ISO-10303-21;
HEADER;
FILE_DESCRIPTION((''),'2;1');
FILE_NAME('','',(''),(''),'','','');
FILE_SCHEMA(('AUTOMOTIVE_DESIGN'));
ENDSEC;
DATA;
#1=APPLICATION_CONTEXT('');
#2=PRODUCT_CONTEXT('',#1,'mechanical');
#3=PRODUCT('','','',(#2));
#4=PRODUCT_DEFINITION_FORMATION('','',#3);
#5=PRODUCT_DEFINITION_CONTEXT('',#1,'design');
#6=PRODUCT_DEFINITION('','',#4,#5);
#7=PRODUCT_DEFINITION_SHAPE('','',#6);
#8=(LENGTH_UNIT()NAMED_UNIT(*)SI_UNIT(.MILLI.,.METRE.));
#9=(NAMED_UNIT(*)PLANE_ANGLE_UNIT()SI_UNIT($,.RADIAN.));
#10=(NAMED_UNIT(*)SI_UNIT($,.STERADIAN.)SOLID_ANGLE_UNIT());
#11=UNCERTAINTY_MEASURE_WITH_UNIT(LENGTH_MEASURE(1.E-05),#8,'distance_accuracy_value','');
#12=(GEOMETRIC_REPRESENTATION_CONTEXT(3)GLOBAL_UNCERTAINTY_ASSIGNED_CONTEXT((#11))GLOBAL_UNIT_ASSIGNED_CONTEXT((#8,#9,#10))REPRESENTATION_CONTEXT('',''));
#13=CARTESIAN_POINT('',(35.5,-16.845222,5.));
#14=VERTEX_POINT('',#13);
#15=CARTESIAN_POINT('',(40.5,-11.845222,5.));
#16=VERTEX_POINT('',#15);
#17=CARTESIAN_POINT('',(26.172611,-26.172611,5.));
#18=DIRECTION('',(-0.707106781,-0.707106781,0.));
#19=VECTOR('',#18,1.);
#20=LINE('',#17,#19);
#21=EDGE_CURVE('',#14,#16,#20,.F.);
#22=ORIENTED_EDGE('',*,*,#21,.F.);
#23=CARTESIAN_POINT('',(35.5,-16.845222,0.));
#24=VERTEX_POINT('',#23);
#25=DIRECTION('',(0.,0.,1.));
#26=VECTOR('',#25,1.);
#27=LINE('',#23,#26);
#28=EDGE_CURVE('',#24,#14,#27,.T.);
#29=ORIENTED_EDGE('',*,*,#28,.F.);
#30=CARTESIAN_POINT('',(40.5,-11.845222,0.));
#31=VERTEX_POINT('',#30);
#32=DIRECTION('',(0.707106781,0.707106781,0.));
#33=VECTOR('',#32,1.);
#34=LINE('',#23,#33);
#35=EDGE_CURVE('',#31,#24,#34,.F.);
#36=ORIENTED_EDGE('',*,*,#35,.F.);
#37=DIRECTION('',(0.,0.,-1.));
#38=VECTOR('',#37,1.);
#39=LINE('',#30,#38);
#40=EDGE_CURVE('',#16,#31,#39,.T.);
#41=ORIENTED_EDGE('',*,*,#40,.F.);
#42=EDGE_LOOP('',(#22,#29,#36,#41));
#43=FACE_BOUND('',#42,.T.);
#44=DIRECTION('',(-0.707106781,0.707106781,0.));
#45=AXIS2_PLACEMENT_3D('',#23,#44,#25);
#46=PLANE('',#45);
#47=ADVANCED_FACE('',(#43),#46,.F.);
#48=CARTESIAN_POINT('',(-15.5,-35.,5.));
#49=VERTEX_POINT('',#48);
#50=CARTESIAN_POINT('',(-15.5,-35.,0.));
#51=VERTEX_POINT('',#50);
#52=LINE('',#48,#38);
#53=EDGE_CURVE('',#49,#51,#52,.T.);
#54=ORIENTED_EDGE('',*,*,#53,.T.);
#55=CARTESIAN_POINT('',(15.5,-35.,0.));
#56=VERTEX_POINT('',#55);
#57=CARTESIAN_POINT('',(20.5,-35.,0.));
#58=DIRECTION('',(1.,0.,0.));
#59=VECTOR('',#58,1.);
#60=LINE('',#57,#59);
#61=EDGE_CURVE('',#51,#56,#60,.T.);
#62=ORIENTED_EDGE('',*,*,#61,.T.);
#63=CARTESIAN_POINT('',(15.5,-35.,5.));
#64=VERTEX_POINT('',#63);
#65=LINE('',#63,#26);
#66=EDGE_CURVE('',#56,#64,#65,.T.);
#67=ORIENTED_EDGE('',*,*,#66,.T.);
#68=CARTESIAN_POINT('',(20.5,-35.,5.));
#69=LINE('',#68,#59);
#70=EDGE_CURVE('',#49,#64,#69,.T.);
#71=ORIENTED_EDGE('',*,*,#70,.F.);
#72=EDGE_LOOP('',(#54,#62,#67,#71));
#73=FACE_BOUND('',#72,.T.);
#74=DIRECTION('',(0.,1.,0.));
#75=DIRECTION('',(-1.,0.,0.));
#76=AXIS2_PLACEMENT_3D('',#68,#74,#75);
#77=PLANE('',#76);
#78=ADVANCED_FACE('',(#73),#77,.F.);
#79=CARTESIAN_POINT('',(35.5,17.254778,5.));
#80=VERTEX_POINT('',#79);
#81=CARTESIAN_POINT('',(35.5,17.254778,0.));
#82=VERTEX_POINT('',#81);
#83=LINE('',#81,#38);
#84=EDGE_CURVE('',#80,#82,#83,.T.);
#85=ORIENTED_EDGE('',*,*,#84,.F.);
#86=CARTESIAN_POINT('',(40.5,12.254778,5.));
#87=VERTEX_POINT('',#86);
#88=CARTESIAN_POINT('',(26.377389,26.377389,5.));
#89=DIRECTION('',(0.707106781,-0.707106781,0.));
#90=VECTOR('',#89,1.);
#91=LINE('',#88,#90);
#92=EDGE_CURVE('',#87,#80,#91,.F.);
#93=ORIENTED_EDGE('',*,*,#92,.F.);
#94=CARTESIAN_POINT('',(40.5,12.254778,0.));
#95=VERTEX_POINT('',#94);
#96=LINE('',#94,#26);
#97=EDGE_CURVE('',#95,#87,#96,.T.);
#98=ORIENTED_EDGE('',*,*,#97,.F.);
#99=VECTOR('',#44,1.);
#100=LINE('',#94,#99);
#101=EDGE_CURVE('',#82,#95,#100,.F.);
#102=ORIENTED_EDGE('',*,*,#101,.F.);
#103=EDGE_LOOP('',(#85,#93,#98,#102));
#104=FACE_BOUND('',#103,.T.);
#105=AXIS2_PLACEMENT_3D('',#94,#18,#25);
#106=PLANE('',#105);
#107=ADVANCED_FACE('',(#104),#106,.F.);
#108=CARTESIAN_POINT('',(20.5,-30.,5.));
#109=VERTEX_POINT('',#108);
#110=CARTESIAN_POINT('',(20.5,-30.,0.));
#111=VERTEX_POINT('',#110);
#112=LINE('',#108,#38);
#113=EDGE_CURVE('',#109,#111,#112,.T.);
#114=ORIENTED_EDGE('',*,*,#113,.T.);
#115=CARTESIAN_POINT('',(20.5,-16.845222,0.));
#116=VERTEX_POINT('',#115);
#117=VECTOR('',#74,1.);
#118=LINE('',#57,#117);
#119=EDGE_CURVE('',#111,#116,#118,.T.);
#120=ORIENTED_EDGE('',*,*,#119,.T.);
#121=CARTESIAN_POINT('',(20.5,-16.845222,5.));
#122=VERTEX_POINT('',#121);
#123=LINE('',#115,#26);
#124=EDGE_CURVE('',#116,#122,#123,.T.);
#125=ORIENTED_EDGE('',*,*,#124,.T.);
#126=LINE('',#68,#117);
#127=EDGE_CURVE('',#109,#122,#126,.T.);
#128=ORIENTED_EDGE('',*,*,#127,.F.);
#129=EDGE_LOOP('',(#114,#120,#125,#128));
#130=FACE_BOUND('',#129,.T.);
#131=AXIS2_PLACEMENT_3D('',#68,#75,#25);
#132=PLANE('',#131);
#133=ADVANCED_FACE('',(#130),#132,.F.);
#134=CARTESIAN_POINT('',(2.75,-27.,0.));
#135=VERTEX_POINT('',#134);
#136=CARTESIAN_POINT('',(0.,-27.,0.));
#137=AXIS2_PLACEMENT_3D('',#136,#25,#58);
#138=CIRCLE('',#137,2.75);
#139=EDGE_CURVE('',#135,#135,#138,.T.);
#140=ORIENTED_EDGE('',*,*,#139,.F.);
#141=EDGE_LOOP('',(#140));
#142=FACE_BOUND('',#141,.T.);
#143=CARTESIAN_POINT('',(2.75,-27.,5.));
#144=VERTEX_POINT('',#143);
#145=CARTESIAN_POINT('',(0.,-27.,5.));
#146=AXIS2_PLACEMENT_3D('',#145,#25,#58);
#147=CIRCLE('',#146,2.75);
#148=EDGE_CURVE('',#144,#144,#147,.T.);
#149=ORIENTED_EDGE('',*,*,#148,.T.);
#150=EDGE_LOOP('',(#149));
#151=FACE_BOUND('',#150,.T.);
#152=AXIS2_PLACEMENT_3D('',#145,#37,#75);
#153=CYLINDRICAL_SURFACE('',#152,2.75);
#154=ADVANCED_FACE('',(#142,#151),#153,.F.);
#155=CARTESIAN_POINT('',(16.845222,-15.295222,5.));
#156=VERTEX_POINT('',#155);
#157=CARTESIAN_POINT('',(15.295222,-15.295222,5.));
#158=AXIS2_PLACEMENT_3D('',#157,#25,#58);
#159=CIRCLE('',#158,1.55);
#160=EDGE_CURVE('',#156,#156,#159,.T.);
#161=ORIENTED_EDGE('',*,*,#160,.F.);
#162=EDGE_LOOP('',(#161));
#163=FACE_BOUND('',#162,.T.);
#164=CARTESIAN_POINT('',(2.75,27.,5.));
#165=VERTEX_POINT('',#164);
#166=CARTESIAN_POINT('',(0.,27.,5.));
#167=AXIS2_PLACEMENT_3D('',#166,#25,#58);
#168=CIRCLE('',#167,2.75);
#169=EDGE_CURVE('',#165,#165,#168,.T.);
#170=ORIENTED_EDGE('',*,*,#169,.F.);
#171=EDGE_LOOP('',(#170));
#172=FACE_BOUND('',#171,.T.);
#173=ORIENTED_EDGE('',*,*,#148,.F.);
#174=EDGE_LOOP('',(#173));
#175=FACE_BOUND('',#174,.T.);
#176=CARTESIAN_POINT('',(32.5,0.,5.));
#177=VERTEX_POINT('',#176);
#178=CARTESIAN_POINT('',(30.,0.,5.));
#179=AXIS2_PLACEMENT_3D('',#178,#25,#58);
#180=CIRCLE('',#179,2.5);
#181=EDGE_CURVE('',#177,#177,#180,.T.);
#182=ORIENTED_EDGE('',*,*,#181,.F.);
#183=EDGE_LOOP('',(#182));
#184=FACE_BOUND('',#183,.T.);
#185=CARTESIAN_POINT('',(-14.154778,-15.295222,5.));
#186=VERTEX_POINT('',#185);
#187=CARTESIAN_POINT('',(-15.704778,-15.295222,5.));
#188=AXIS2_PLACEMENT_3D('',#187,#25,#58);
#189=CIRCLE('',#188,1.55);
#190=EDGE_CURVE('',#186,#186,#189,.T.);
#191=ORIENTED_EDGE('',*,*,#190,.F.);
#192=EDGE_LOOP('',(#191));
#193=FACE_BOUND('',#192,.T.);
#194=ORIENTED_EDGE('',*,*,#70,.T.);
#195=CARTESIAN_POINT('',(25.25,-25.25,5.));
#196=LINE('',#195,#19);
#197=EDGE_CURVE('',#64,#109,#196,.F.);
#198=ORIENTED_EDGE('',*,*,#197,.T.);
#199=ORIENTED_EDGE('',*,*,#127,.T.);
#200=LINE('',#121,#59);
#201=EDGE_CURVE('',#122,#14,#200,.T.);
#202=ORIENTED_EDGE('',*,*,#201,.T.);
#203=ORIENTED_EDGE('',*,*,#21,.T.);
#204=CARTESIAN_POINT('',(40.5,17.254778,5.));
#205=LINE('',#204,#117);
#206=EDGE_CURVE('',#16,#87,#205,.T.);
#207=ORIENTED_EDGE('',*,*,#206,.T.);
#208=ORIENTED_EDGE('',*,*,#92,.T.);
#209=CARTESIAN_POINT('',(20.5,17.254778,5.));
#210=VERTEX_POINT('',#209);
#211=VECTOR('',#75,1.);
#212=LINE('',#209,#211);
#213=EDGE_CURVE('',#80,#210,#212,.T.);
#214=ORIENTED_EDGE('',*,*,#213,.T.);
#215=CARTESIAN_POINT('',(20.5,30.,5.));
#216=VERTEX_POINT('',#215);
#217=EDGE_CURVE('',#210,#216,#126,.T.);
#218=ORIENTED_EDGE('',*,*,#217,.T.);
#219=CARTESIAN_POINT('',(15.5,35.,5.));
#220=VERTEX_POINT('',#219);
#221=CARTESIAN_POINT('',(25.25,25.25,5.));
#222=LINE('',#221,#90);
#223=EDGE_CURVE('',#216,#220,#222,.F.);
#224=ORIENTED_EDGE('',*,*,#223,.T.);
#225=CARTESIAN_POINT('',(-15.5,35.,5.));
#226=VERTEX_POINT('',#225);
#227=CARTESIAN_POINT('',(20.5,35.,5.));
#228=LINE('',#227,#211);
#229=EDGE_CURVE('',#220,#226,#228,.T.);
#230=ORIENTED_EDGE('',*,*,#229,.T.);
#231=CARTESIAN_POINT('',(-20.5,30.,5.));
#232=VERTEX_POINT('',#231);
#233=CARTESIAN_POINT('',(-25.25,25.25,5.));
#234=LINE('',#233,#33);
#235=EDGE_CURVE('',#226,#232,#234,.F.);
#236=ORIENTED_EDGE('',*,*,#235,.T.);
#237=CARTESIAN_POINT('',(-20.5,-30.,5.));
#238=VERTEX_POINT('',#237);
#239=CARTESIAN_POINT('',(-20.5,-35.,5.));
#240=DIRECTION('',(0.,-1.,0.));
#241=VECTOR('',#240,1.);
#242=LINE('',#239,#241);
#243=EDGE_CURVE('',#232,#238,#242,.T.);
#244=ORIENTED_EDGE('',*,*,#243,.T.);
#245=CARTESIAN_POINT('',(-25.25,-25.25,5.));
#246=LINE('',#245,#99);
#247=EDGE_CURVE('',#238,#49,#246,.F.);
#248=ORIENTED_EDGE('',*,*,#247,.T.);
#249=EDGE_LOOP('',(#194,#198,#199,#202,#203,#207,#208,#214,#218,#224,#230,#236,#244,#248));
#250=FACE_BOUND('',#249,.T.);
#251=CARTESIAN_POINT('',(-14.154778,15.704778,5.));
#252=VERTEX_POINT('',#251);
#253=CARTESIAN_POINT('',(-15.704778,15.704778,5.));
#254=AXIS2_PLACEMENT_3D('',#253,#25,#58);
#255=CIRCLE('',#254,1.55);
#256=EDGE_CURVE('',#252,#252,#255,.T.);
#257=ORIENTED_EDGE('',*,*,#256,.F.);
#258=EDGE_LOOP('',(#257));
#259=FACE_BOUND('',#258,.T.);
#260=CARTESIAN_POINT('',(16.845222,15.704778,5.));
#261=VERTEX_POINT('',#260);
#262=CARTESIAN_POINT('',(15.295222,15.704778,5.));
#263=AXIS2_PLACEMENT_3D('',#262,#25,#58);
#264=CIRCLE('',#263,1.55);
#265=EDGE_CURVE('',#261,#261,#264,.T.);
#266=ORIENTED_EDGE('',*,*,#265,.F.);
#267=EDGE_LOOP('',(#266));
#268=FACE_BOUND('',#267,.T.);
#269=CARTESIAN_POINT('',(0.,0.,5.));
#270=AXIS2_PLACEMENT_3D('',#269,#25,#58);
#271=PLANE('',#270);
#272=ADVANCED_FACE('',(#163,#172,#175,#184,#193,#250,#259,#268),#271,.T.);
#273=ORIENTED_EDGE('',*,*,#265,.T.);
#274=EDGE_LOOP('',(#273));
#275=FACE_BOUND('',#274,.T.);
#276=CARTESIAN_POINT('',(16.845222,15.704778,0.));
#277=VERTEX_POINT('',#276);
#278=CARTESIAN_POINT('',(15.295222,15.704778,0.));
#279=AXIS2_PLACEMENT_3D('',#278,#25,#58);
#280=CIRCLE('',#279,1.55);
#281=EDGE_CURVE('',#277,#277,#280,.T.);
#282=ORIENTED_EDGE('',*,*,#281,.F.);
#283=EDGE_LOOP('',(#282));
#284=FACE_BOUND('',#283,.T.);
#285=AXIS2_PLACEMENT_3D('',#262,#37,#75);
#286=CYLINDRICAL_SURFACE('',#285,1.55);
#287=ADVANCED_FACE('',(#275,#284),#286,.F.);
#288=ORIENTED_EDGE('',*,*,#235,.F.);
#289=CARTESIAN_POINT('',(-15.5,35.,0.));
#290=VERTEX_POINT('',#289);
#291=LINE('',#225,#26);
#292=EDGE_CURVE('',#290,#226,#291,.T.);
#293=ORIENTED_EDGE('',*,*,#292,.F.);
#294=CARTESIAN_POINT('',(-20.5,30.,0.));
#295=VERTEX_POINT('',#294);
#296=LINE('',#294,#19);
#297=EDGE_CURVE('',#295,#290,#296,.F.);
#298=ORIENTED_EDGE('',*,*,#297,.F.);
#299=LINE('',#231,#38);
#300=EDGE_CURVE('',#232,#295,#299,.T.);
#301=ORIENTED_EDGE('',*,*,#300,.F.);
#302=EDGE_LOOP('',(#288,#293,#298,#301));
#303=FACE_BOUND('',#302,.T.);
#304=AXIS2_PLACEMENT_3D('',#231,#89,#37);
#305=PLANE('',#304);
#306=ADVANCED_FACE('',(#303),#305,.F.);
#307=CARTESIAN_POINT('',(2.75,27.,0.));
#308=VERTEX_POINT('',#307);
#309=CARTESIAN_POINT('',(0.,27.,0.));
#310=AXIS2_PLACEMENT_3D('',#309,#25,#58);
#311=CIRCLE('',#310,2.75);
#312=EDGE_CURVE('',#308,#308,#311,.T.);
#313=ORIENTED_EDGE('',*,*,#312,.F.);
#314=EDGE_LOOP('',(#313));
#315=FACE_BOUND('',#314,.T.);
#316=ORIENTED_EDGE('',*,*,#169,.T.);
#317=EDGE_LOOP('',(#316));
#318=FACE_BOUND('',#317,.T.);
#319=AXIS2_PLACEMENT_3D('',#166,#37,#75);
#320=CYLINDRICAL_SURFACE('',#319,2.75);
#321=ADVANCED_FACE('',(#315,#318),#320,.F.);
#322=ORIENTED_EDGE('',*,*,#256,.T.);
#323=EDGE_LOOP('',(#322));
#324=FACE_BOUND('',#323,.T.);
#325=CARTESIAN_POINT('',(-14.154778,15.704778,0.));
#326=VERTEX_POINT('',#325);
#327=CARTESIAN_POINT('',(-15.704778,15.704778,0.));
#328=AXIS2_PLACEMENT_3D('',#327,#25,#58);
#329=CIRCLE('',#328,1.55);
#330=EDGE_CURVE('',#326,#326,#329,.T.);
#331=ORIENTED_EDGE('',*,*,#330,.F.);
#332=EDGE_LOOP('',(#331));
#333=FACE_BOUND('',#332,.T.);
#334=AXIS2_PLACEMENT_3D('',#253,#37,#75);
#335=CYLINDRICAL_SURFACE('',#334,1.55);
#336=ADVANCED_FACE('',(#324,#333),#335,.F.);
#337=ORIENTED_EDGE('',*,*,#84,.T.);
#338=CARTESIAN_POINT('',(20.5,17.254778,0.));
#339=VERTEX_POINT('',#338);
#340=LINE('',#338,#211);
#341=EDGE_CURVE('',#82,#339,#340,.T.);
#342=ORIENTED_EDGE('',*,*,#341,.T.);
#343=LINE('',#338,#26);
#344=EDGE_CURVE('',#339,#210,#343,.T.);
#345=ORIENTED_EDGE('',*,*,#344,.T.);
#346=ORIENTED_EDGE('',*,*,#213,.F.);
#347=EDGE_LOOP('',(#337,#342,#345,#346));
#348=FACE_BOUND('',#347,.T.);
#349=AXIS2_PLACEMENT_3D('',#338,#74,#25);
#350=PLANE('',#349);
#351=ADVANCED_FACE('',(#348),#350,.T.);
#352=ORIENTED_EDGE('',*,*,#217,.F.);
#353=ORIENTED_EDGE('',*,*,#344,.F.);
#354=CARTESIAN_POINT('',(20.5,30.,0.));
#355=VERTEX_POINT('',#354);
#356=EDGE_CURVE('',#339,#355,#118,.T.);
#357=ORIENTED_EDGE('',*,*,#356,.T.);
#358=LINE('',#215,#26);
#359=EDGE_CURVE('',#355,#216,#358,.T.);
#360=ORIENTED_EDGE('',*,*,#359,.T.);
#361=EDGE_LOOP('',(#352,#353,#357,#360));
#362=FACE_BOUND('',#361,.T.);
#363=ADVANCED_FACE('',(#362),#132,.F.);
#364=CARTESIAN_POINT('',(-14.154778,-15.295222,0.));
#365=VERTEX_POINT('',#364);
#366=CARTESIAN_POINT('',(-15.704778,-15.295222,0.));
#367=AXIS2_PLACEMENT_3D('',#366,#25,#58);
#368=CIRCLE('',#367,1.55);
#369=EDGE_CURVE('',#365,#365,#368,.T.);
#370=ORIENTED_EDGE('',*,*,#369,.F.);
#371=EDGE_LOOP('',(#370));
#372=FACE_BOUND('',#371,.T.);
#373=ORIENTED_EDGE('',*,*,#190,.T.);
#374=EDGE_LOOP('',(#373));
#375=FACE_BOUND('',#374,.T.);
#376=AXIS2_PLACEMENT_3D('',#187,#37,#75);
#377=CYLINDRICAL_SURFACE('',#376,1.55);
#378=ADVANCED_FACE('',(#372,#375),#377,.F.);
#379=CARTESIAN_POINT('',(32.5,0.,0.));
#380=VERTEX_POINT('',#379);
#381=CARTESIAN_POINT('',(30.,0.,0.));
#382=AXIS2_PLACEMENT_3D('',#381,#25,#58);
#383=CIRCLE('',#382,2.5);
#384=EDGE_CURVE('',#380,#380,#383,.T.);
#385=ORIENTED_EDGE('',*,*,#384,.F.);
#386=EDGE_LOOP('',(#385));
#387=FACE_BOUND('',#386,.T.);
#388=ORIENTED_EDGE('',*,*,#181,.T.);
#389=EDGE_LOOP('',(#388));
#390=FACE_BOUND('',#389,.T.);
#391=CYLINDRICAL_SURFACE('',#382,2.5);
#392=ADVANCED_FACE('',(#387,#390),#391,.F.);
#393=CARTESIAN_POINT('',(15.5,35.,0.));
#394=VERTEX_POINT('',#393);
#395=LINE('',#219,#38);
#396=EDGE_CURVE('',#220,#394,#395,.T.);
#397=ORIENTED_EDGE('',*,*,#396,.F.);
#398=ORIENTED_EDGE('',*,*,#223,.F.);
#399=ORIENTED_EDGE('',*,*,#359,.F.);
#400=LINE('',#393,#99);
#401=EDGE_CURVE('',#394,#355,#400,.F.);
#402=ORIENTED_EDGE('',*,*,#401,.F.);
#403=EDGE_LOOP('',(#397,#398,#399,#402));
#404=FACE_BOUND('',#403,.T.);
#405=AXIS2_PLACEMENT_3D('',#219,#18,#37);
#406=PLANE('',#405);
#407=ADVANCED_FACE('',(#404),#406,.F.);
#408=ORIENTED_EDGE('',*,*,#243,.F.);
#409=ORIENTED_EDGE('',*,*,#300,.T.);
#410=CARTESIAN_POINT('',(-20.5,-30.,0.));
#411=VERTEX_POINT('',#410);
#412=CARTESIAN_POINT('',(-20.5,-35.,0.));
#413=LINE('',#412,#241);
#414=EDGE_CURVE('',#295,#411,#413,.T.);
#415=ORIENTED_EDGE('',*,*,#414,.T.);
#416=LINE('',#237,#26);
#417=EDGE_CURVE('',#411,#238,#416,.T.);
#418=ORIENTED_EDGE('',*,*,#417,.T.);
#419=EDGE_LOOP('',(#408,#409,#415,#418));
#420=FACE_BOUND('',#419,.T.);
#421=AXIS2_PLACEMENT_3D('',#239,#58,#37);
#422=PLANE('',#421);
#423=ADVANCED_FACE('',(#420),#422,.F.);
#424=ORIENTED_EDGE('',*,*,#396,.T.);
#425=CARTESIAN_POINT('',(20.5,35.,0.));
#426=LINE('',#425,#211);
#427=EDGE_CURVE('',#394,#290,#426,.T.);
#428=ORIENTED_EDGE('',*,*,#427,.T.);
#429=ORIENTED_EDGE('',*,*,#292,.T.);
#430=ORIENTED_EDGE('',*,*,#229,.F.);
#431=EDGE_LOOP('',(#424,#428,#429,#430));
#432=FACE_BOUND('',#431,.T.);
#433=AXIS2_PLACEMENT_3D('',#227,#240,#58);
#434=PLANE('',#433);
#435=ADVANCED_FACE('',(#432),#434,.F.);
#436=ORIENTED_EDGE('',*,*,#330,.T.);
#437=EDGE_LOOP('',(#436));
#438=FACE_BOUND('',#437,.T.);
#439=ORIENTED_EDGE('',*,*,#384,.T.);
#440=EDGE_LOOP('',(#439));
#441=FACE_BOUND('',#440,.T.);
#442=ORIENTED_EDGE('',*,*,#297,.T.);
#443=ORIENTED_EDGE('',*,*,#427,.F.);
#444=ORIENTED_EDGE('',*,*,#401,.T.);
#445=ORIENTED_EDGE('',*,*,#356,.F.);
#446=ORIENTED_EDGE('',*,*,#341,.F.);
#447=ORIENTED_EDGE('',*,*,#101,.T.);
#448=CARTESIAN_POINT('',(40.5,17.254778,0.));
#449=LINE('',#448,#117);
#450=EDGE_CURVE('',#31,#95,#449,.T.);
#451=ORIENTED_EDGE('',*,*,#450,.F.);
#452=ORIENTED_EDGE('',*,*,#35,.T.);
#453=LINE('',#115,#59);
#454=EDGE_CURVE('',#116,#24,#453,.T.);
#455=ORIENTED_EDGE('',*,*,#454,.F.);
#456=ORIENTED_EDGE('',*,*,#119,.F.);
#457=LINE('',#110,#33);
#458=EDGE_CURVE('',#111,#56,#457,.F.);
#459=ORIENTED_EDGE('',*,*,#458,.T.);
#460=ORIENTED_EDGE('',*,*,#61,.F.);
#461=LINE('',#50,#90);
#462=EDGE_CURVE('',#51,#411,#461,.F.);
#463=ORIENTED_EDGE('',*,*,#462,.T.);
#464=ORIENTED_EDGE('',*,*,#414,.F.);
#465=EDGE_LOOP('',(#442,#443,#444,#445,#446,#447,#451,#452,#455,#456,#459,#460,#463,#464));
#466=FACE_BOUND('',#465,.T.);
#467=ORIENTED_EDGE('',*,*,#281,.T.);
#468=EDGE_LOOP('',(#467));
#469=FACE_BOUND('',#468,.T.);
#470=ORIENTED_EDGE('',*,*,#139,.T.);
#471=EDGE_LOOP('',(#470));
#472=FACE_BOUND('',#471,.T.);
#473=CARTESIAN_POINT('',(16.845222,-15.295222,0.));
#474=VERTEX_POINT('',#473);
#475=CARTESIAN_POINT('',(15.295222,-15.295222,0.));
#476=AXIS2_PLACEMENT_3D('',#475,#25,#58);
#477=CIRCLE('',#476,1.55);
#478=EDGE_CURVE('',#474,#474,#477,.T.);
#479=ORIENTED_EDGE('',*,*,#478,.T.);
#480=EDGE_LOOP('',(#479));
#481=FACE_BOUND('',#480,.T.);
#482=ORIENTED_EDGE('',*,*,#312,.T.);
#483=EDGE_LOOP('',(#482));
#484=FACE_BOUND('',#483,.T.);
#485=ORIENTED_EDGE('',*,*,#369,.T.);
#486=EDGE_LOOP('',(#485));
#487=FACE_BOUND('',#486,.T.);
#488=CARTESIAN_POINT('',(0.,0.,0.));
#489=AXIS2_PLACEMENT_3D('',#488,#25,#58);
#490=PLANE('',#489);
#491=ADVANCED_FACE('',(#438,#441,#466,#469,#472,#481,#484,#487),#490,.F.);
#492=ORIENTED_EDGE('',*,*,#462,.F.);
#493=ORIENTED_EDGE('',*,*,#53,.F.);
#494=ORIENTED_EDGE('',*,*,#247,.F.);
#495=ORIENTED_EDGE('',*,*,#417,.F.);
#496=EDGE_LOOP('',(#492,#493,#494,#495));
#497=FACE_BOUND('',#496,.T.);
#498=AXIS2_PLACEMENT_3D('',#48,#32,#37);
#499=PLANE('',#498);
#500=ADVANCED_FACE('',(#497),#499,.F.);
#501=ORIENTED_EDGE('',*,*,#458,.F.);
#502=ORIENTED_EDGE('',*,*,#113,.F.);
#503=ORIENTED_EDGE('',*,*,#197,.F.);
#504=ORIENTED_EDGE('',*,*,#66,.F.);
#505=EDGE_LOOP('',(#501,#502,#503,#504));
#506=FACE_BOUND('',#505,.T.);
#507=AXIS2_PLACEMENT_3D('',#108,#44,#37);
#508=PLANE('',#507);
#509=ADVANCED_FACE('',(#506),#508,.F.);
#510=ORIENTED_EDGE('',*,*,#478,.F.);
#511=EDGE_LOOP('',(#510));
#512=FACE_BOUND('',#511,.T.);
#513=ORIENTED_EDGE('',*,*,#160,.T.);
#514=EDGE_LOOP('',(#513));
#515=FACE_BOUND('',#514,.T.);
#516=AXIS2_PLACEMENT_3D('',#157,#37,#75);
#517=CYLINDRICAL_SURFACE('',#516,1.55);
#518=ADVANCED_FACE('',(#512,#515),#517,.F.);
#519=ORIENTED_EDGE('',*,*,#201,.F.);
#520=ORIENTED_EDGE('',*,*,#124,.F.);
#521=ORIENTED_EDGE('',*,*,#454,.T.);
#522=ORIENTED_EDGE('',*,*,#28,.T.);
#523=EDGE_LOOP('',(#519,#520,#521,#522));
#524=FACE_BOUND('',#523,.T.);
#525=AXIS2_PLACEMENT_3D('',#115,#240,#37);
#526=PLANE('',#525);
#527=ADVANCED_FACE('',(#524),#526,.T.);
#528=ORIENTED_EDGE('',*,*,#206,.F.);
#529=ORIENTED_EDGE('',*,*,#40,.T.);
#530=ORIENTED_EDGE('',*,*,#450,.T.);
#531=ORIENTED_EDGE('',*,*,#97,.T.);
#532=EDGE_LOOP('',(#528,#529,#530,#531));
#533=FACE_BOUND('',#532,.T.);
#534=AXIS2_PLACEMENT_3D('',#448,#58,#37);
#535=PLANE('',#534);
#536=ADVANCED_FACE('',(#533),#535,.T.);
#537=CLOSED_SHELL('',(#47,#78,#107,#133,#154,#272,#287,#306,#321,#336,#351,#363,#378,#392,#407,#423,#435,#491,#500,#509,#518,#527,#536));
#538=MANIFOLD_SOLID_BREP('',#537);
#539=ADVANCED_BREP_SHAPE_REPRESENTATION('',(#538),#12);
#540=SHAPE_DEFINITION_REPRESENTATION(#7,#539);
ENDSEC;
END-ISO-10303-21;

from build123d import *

# Parameters (mm, degrees)
SKETCH1_W           = 41
SKETCH1_H           = 70
SKETCH1_R           = 1.55
SKETCH1_R_2         = 2.75
BOSS_EXTRUDE1_DEPTH = 5
CHAMFER1_SIZE       = 5
SKETCH2_W           = 20
SKETCH2_H           = 34.1
SKETCH2_R           = 2.5
BOSS_EXTRUDE2_DEPTH = 5
CHAMFER2_SIZE       = 5


with BuildPart() as part:
    # Sketch1 → Boss-Extrude1 (new body)
    with BuildSketch(Plane.XY):
        Rectangle(SKETCH1_W, SKETCH1_H)
        with Locations((-15.704778157, -15.295221843)):
            Circle(SKETCH1_R, mode=Mode.SUBTRACT)
        with Locations((15.295221843, -15.295221843)):
            Circle(SKETCH1_R, mode=Mode.SUBTRACT)
        with Locations((15.295221843, 15.704778157)):
            Circle(SKETCH1_R, mode=Mode.SUBTRACT)
        with Locations((-15.704778157, 15.704778157)):
            Circle(SKETCH1_R, mode=Mode.SUBTRACT)
        with Locations((0, 27)):
            Circle(SKETCH1_R_2, mode=Mode.SUBTRACT)
        with Locations((0, -27)):
            Circle(SKETCH1_R_2, mode=Mode.SUBTRACT)
    extrude(amount=BOSS_EXTRUDE1_DEPTH)

    # Chamfer1
    chamfer1_edges = [part.edges().sort_by_distance(p)[0] for p in [
        (-20.5, 35, 2.5),
        (20.5, 35, 2.5),
        (20.5, -35, 2.5),
        (-20.5, -35, 2.5),
    ]]
    chamfer(chamfer1_edges, length=CHAMFER1_SIZE)

    # Sketch2 → Boss-Extrude2 (add)
    with BuildSketch(Plane.XY.offset(5)):
        with Locations((30.5, 0.204778157)):
            Rectangle(SKETCH2_W, SKETCH2_H)
        with Locations((30, 0)):
            Circle(SKETCH2_R, mode=Mode.SUBTRACT)
    extrude(amount=-BOSS_EXTRUDE2_DEPTH)

    # Chamfer2
    chamfer2_edges = [part.edges().sort_by_distance(p)[0] for p in [
        (40.5, 17.254778157, 2.5),
        (40.5, -16.845221843, 2.5),
    ]]
    chamfer(chamfer2_edges, length=CHAMFER2_SIZE)


solid = part.part
